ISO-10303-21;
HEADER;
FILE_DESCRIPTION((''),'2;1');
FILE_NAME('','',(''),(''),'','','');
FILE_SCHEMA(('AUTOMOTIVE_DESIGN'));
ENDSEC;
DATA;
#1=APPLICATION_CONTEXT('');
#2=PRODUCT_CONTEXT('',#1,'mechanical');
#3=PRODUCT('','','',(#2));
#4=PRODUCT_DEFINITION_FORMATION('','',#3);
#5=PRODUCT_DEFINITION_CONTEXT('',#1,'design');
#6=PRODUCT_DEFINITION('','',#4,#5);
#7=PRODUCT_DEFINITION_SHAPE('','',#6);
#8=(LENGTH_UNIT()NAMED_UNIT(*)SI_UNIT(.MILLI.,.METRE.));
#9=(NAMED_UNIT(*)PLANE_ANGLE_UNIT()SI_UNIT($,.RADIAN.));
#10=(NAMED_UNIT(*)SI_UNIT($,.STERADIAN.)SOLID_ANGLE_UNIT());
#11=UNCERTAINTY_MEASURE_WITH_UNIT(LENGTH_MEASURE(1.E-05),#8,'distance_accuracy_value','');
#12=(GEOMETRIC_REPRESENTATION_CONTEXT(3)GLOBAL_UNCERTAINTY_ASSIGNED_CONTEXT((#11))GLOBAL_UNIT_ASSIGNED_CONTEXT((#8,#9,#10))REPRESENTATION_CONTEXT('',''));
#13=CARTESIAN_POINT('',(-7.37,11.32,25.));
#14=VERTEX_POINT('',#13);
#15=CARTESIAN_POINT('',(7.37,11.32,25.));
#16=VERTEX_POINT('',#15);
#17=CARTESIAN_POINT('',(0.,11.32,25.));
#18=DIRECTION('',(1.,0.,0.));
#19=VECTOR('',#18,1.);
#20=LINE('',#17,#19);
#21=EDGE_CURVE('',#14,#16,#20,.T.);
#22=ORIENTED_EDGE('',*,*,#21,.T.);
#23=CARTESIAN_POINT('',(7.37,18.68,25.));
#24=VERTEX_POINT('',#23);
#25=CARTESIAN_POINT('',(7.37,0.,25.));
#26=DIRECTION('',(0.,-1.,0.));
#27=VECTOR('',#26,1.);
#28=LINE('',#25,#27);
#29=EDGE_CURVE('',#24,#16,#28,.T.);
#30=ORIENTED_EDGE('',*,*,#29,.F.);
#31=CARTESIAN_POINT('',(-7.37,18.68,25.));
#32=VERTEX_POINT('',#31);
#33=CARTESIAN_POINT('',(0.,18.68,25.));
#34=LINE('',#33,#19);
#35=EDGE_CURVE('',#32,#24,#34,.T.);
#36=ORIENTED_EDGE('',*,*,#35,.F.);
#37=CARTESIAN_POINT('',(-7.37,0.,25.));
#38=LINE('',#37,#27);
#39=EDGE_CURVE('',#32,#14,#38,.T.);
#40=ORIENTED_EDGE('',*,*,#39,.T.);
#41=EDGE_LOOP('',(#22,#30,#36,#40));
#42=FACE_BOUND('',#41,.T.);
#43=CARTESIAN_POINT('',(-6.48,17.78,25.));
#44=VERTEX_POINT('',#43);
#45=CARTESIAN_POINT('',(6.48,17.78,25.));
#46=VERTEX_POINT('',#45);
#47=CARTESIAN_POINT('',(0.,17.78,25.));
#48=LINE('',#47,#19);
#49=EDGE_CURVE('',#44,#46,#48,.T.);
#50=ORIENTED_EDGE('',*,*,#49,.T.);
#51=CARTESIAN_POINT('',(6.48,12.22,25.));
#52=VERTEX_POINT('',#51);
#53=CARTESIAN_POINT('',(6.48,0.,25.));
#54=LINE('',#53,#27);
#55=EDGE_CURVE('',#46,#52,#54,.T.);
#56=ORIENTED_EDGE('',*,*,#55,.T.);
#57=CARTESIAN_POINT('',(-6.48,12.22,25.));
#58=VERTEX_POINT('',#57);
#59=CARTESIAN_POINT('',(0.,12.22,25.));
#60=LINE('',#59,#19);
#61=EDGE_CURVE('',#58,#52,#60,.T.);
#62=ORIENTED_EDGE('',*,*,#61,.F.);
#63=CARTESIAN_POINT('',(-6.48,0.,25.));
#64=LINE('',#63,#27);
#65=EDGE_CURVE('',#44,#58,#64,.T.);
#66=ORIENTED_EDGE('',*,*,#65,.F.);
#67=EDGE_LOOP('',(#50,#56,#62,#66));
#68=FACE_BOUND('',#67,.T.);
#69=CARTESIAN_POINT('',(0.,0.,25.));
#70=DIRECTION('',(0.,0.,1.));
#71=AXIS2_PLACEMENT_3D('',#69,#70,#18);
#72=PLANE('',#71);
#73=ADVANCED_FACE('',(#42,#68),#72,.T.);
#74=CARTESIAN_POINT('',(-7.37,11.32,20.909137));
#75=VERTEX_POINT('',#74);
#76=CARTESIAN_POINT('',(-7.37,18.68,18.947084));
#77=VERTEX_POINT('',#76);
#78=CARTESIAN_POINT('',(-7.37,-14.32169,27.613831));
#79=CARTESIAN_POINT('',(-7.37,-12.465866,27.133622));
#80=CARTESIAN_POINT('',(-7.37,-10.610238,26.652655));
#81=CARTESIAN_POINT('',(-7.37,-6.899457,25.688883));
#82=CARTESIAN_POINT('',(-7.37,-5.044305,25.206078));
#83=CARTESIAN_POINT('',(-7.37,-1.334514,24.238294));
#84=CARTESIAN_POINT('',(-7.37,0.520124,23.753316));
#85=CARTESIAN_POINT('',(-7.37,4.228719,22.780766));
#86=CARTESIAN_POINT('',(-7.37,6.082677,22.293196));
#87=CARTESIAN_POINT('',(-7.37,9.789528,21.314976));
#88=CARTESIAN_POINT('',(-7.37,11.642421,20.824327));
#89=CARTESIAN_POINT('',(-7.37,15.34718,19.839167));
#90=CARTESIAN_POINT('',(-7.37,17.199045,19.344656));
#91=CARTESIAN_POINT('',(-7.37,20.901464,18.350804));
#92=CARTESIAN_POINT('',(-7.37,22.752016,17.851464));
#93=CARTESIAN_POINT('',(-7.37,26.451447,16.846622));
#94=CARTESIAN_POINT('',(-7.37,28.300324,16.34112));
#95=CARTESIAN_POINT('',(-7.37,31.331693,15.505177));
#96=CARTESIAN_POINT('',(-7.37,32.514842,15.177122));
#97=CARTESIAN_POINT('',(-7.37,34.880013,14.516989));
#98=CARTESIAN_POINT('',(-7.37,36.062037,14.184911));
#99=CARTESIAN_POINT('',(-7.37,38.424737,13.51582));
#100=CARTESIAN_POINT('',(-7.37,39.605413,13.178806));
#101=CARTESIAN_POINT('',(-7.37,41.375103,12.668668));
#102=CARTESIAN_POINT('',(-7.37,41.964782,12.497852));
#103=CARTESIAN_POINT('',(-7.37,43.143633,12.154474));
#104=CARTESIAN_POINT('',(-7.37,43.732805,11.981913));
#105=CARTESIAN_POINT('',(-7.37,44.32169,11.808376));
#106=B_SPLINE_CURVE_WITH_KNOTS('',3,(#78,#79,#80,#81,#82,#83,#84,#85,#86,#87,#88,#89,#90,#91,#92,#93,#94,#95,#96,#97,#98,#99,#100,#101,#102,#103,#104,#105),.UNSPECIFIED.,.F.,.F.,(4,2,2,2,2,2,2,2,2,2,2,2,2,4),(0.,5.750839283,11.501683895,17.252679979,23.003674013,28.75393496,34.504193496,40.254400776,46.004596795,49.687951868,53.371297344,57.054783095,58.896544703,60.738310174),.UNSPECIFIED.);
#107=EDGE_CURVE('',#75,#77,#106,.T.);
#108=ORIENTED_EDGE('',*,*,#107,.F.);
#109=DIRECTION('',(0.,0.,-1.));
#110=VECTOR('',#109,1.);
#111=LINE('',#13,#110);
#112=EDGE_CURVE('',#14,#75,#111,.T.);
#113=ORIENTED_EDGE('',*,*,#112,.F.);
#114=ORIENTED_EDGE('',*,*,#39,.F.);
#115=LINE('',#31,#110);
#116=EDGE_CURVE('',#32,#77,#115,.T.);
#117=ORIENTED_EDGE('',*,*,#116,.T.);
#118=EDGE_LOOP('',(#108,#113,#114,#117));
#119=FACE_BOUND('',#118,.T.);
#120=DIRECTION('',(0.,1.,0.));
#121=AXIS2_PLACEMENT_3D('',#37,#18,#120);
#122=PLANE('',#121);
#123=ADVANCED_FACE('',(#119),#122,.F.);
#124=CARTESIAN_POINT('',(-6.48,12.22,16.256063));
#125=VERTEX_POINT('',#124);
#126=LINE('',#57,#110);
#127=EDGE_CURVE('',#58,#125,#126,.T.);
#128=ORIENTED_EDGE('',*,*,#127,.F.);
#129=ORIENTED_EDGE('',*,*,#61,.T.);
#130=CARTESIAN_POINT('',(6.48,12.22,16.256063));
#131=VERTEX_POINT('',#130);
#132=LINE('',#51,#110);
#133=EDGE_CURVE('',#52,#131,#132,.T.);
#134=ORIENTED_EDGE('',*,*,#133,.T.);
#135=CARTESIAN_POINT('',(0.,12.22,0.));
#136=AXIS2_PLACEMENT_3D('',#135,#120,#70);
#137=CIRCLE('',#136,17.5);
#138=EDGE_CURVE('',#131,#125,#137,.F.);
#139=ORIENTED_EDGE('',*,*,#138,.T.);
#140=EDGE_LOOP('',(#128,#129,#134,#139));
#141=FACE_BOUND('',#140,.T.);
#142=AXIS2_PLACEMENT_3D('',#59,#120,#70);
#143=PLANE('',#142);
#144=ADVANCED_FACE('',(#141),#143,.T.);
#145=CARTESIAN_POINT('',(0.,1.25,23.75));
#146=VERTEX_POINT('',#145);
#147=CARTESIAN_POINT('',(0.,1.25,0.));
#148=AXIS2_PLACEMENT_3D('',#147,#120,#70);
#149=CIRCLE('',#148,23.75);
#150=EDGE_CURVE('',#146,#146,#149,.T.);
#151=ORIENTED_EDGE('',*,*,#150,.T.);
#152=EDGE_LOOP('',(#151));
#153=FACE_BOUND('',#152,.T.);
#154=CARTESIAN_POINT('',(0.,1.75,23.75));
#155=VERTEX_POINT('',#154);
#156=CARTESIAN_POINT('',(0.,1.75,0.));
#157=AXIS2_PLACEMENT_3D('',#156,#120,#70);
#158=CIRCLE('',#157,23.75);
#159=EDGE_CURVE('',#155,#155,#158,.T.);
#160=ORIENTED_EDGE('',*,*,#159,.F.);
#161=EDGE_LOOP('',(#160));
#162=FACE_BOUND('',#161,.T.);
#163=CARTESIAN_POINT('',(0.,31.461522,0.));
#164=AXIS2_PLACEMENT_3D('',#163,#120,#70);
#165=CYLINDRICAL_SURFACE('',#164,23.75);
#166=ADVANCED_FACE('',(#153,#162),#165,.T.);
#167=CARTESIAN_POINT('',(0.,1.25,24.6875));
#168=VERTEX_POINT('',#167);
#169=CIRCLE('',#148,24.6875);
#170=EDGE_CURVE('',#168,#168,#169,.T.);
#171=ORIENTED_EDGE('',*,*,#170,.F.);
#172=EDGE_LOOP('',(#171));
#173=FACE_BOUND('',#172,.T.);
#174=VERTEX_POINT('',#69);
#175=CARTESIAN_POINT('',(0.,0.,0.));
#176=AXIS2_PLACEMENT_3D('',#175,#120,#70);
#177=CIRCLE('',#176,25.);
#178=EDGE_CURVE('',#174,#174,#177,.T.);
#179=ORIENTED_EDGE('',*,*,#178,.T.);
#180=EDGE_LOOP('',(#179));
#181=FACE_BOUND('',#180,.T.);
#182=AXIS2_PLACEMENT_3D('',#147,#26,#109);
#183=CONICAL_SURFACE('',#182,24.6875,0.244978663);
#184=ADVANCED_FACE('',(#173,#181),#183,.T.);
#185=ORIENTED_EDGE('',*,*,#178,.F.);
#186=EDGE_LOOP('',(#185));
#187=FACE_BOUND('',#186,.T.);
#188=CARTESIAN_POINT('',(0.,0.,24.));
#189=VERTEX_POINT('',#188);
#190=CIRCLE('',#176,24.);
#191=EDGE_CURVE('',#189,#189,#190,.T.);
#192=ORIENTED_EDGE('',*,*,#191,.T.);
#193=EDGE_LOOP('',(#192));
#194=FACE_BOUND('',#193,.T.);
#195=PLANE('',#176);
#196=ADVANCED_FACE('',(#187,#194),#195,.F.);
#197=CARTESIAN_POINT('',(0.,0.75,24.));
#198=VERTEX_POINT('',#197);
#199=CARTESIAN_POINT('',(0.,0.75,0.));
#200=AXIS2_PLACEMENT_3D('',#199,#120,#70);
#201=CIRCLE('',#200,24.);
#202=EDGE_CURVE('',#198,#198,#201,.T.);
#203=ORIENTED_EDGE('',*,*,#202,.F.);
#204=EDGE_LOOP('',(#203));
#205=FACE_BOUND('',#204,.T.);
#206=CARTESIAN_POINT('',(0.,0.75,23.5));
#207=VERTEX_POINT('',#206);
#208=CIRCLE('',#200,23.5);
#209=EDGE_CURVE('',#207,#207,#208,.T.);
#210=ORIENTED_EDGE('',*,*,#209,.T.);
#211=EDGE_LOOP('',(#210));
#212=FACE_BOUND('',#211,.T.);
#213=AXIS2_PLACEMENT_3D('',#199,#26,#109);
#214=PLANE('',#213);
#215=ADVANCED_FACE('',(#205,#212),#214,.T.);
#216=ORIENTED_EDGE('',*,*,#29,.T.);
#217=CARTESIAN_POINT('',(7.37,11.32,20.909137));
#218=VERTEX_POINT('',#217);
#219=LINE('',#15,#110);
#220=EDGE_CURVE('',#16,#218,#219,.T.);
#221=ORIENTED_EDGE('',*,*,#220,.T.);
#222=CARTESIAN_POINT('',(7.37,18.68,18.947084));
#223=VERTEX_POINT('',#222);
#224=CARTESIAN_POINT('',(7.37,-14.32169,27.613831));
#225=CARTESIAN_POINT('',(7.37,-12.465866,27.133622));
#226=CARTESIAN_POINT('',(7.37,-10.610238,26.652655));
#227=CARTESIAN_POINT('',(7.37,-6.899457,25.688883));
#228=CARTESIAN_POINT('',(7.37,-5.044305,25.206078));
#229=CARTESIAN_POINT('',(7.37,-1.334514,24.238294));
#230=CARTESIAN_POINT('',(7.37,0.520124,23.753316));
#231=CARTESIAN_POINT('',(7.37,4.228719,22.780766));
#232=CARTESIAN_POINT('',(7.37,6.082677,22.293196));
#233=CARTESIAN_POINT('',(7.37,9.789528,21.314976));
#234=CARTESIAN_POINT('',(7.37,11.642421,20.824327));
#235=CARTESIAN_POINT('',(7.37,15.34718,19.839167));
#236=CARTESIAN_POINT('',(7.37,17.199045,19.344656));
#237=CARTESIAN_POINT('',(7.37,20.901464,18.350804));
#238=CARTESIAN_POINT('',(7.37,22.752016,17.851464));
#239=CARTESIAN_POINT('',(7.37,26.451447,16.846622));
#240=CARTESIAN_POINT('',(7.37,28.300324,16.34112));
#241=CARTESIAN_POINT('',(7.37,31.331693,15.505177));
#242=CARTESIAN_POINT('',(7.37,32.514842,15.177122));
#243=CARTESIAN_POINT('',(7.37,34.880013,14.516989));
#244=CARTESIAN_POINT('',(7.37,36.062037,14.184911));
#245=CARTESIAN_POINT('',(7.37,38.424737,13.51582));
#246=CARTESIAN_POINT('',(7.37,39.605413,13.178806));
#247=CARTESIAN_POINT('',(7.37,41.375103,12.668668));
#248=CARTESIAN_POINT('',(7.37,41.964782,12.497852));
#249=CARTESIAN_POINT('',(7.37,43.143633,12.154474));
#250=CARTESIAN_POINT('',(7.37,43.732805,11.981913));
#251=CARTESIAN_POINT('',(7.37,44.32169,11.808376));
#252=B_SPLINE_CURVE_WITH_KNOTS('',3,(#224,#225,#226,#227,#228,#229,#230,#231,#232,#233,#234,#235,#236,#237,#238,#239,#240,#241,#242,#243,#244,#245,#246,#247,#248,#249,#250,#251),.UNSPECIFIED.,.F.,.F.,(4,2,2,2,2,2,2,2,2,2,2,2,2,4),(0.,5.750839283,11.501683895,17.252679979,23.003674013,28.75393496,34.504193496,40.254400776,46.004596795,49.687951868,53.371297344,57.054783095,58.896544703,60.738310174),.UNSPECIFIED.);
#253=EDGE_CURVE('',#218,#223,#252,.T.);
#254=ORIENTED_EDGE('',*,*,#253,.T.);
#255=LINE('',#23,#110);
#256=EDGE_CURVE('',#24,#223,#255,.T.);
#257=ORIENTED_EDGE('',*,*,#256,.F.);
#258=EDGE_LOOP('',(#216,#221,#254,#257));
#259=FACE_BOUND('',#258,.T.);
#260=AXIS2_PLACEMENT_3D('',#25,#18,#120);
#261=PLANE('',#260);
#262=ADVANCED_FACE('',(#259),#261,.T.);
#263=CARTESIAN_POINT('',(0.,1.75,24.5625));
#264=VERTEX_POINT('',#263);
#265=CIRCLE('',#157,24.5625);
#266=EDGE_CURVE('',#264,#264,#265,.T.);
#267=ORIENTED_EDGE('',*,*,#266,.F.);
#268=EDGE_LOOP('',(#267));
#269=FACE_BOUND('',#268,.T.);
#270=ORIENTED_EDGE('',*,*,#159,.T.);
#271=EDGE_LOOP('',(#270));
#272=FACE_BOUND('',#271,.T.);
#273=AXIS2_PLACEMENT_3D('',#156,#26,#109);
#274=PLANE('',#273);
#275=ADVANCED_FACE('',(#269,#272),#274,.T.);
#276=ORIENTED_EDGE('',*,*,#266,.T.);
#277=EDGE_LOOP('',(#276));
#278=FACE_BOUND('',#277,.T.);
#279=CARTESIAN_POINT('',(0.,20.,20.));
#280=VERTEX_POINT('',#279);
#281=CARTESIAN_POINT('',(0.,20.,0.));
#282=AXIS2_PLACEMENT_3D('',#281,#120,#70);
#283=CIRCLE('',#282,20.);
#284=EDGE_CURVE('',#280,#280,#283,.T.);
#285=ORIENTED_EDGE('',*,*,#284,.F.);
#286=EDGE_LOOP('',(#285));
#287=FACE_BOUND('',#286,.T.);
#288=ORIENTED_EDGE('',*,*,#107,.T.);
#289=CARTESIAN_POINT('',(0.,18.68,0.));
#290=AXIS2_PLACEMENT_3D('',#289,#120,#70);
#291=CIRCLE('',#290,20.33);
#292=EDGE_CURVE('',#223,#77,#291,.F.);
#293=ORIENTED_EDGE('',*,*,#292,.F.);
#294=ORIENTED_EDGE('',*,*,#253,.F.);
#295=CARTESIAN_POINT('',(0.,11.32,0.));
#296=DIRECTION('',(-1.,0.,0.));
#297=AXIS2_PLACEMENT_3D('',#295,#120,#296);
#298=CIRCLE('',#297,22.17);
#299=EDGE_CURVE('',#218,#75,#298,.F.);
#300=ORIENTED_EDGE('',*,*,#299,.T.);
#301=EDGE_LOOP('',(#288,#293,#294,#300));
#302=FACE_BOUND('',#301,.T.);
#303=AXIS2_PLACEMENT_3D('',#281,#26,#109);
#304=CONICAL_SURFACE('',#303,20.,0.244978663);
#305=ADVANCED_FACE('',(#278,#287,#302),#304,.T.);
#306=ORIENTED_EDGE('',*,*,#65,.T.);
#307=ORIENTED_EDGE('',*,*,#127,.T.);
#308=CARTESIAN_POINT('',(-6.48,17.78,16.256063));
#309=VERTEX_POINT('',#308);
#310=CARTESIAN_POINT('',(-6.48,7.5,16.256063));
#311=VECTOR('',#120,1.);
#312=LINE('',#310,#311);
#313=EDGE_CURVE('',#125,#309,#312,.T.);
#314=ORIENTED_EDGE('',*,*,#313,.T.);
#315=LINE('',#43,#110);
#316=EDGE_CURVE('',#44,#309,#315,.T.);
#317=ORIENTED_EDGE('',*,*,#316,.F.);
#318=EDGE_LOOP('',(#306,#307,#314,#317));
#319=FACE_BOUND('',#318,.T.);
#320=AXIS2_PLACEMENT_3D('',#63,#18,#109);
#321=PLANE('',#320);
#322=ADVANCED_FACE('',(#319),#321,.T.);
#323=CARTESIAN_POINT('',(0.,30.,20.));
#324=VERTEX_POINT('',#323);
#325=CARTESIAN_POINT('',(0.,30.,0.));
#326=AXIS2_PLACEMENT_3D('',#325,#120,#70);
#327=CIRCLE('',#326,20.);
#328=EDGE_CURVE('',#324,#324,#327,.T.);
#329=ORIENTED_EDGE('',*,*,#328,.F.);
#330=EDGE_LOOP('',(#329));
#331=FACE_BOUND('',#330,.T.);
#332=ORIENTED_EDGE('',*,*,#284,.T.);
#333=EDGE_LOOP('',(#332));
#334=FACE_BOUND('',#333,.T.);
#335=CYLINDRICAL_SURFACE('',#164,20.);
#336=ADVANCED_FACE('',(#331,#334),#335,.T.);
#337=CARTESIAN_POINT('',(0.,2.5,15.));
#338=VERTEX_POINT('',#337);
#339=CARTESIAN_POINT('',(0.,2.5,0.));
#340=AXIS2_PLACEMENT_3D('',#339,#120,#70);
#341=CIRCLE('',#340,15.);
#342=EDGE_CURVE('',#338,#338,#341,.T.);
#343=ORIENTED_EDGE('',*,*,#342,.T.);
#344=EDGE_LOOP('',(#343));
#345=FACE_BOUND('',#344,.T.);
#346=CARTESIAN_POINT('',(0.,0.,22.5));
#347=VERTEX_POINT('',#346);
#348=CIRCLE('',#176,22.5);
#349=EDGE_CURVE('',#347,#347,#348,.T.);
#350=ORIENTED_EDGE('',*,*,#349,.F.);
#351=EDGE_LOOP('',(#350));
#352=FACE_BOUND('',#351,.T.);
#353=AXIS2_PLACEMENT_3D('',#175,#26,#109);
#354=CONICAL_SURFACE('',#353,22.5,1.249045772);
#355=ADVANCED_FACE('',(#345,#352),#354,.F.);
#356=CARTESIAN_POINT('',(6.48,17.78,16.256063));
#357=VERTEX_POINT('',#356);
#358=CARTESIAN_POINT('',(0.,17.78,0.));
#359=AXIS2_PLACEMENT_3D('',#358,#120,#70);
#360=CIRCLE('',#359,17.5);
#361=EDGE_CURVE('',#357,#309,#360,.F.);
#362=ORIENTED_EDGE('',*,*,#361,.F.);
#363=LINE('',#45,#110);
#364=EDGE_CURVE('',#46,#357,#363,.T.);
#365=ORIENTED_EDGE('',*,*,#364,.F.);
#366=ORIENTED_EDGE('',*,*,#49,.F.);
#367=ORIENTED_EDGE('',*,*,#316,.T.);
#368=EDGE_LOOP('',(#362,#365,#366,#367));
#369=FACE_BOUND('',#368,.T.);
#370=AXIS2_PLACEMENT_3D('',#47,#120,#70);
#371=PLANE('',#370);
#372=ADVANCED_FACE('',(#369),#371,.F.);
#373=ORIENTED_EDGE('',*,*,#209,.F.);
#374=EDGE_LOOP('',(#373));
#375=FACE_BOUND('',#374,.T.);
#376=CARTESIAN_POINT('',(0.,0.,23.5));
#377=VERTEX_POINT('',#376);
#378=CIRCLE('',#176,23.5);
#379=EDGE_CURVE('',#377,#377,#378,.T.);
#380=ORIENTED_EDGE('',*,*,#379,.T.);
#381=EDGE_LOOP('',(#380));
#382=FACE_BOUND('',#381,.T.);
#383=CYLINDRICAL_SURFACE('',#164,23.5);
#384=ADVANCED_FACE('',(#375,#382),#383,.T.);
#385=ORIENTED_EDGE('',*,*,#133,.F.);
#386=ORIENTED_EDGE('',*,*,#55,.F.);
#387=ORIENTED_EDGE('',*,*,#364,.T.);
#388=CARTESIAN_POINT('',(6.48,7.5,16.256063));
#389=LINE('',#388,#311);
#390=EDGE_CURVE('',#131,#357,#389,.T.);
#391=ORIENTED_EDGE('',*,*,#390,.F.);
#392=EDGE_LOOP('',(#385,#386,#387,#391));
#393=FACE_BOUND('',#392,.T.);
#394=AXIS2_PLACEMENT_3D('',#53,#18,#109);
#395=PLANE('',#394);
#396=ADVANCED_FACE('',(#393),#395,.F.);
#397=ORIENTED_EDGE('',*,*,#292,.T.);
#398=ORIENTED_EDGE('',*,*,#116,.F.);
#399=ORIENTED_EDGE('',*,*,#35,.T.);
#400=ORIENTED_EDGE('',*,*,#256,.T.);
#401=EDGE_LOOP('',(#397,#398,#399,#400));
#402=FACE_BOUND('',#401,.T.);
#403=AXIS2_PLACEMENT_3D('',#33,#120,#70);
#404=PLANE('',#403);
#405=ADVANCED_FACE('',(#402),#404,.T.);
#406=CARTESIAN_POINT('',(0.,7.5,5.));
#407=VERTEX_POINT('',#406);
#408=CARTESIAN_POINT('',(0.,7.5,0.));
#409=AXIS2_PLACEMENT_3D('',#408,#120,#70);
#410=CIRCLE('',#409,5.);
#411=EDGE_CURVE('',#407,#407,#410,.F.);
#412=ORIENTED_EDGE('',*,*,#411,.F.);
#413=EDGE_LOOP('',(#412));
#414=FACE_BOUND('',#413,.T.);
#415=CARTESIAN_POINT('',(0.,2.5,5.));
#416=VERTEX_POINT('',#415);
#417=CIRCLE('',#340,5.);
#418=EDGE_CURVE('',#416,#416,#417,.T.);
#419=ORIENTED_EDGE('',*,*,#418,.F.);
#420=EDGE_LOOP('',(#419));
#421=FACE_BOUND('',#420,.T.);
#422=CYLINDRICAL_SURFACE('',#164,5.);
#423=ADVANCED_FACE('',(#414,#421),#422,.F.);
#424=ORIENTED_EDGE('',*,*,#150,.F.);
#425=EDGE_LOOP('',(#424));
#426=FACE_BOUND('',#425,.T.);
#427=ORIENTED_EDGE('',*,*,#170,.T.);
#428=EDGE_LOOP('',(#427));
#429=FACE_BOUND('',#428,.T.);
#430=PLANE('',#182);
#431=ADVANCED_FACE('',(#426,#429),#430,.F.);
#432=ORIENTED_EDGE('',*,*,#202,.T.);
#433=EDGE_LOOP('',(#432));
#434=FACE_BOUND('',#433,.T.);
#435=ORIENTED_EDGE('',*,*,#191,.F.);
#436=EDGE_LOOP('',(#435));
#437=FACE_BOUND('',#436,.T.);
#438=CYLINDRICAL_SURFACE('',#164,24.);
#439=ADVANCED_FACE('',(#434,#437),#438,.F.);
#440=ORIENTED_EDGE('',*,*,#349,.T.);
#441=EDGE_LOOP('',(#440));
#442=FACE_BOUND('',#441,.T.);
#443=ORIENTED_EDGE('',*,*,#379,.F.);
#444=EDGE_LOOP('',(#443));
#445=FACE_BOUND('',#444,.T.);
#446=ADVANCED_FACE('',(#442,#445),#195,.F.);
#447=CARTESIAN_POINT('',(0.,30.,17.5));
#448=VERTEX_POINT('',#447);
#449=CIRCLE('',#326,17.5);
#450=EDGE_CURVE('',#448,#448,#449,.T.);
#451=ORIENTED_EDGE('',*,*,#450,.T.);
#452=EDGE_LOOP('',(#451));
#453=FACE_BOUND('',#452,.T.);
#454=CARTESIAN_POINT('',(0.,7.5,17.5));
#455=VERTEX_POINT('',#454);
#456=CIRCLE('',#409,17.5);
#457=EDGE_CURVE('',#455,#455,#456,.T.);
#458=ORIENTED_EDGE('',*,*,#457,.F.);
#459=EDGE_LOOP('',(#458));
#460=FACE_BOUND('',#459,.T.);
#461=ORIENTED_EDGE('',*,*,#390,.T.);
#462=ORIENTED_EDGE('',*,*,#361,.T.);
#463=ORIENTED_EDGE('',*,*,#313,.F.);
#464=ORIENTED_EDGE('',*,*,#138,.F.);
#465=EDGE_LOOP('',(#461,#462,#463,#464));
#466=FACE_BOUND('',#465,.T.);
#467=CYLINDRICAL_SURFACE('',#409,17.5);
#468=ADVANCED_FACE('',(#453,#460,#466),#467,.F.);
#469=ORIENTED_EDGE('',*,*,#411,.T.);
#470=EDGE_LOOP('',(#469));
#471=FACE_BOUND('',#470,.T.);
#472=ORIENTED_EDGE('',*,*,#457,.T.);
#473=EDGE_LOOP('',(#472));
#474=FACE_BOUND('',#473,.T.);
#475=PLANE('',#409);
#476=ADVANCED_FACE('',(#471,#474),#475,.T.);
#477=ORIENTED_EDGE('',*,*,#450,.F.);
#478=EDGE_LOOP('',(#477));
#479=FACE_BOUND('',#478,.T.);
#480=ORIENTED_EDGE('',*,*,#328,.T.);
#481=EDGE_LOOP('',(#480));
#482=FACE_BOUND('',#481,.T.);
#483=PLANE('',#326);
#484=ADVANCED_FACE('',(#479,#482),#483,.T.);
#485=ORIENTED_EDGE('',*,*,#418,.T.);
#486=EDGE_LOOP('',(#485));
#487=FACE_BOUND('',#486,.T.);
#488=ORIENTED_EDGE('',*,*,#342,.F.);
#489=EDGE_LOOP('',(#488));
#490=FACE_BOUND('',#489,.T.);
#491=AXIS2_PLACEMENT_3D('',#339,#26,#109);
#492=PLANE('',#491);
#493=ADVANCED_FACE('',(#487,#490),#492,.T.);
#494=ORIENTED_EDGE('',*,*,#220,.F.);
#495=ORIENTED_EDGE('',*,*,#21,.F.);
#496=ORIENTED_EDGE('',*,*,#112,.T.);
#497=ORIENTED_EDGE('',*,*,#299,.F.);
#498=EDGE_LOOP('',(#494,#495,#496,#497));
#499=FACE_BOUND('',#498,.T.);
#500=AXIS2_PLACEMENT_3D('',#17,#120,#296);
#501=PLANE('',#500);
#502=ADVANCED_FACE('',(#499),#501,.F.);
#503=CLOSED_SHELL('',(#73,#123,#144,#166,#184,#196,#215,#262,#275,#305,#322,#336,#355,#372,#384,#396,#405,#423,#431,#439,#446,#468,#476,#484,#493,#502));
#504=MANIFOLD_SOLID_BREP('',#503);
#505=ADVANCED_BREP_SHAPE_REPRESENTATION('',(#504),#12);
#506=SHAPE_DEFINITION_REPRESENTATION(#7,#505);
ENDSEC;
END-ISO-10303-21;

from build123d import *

# Parameters (mm, degrees)
SKETCH1_R           = 25
BOSS_EXTRUDE1_DEPTH = 30
SKETCH3_W           = 0.5
SKETCH3_H           = 0.75
SKETCH6_W           = 14.74
SKETCH6_H           = 7.36
SKETCH6_W_2         = 12.96
SKETCH6_H_2         = 5.56
BOSS_EXTRUDE2_DEPTH = 25
SKETCH4_R           = 17.5
CUT_EXTRUDE1_DEPTH  = 22.5
SKETCH6_5_W         = 12.96
SKETCH6_5_H         = 5.56
CUT_EXTRUDE7_DEPTH  = 46.5


with BuildPart() as part:
    # Sketch1 → Boss-Extrude1 (new body)
    with BuildSketch(Plane(origin=(0, 0, 0), x_dir=(1, 0, 0), z_dir=(0, 1, 0))):
        Circle(SKETCH1_R)
    extrude(amount=BOSS_EXTRUDE1_DEPTH)

    # Sketch3 → Cut-Revolve1 (revolve, cut)
    with BuildSketch(Plane.XY):
        Polygon((-24.5625, 1.75), (-20, 20), (-20, 30), (-25, 30), (-25, 0), (-24.6875, 1.25), (-23.75, 1.25), (-23.75, 1.75), align=None)
        Polygon((0, 0), (0, 20), (-5, 20), (-5, 2.5), (-15, 2.5), (-22.5, 0), align=None)
        with Locations((-23.75, 0.375)):
            Rectangle(SKETCH3_W, SKETCH3_H)
    revolve(axis=Axis((0, 31.461521879, 0), (0, -1, 0)), mode=Mode.SUBTRACT)

    # Sketch6 → Boss-Extrude2 (add)
    with BuildSketch(Plane.XY):
        with Locations((0, 15)):
            Rectangle(SKETCH6_W, SKETCH6_H)
        with Locations((0, 15)):
            Rectangle(SKETCH6_W_2, SKETCH6_H_2, mode=Mode.SUBTRACT)
    extrude(amount=BOSS_EXTRUDE2_DEPTH)

    # Sketch4 → Cut-Extrude1 (cut)
    with BuildSketch(Plane(origin=(0, 30, 0), x_dir=(1, 0, 0), z_dir=(0, 1, 0))):
        Circle(SKETCH4_R)
    extrude(amount=-CUT_EXTRUDE1_DEPTH, mode=Mode.SUBTRACT)

    # Sketch6<5> → Cut-Extrude7 (cut)
    with BuildSketch(Plane.XY):
        with Locations((0, 15)):
            Rectangle(SKETCH6_5_W, SKETCH6_5_H)
    extrude(amount=CUT_EXTRUDE7_DEPTH, mode=Mode.SUBTRACT)


solid = part.part
